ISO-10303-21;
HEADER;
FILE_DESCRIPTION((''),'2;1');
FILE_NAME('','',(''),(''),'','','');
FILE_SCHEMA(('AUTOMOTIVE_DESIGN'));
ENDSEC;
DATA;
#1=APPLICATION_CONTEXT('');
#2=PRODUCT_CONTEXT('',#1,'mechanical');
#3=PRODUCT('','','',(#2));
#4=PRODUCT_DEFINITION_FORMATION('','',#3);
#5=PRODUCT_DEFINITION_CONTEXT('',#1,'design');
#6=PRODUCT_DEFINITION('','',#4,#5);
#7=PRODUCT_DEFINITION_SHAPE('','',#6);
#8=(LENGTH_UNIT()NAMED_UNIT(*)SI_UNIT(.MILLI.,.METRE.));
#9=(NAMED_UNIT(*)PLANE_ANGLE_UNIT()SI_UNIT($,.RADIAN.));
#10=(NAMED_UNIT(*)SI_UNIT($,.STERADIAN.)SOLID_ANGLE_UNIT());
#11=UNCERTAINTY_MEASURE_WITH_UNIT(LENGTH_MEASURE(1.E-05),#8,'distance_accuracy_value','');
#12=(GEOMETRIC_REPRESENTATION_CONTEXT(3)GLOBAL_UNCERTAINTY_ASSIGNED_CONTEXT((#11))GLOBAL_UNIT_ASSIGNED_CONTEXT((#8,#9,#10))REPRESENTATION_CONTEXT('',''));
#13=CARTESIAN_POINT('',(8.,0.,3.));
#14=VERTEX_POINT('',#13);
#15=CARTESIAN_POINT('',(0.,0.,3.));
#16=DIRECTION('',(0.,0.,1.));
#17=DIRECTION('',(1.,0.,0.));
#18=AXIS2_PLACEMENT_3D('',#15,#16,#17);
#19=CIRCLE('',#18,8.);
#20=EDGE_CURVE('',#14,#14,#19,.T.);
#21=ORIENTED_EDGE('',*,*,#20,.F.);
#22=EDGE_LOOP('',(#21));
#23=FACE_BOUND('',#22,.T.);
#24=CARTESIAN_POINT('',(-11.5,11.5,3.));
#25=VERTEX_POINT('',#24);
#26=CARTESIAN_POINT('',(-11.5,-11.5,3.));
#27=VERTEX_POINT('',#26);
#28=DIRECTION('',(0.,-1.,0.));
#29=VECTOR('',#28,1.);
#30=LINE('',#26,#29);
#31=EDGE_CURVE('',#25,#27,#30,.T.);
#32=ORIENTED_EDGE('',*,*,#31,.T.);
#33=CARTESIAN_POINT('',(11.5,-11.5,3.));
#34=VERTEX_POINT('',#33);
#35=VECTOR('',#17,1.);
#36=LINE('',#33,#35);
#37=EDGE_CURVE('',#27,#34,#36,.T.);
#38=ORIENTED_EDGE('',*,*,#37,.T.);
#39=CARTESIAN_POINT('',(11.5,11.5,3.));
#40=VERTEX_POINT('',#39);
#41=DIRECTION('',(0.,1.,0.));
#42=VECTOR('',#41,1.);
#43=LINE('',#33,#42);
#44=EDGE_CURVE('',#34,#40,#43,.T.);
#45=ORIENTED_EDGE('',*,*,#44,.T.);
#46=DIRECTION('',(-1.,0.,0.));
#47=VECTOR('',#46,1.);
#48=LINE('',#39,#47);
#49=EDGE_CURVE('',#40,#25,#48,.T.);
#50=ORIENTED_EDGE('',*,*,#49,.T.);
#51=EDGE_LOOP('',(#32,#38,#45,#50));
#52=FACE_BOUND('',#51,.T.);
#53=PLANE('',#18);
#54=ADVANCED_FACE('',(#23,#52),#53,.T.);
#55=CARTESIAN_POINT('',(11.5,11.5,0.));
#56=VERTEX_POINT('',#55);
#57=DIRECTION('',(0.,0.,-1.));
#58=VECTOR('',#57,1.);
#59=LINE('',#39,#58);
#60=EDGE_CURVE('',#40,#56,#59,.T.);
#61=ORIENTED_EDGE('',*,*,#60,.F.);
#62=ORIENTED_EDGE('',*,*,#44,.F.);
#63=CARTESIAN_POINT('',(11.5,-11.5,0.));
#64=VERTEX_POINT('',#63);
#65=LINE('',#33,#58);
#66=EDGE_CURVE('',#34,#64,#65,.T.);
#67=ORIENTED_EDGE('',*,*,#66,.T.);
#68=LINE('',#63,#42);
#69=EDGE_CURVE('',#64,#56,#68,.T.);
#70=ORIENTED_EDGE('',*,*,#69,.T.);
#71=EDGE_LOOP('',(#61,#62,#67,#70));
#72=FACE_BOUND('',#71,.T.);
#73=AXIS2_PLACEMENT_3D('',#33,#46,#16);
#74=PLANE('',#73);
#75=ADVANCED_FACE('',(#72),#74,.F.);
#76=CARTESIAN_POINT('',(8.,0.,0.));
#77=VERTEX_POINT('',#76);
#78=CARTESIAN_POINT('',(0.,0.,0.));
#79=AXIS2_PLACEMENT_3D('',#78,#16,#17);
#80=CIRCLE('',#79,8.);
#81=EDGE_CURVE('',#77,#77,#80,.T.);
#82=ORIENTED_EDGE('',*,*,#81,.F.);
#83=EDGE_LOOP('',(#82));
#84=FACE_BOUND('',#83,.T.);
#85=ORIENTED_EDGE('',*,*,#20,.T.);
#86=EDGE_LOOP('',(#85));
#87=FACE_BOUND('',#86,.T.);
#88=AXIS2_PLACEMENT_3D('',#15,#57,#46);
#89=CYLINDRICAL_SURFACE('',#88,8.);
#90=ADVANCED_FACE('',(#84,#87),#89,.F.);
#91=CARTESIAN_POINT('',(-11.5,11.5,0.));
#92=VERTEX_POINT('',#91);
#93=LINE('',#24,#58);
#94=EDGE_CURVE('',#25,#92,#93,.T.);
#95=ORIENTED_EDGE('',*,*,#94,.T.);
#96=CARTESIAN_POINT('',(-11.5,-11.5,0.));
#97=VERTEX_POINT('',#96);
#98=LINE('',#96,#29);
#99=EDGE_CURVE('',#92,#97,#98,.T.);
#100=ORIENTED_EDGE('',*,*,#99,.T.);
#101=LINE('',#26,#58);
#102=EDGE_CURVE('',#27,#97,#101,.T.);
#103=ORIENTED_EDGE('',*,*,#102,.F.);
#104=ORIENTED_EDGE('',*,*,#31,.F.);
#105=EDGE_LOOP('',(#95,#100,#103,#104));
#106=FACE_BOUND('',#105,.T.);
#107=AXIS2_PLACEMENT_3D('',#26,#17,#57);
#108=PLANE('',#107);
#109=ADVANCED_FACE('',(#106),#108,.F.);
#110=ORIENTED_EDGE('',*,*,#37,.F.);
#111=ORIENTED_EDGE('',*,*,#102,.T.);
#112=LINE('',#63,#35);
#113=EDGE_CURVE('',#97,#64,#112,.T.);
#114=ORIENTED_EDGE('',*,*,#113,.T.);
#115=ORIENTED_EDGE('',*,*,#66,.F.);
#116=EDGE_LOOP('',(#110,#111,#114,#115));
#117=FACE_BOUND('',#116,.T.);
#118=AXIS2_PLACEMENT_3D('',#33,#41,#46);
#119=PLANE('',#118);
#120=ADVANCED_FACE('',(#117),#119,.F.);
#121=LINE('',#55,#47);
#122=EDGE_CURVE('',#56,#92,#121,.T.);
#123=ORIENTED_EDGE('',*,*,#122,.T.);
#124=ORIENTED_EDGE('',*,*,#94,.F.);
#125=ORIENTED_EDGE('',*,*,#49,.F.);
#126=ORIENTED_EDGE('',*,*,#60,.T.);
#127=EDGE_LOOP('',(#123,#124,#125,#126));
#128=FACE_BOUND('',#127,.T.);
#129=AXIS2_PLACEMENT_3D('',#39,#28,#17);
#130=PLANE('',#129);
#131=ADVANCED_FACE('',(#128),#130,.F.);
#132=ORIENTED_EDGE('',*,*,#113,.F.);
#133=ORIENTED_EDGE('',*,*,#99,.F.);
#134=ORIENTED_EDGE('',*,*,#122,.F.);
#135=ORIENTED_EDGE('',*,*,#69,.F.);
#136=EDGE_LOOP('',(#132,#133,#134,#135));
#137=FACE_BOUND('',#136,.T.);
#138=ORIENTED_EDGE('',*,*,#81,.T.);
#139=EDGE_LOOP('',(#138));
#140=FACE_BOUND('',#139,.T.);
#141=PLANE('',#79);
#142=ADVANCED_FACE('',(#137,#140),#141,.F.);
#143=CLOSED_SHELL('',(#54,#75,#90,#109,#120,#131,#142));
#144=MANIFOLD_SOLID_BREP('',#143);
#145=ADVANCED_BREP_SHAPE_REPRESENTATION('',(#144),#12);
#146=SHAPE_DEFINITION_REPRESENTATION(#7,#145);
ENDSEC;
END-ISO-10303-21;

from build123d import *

# Parameters (mm, degrees)
SKETCH_1_W      = 23
SKETCH_1_H      = 23
SKETCH_1_R      = 8
EXTRUDE_1_DEPTH = 3


with BuildPart() as part:
    # 草图1 → 凸台-拉伸1 (new body)
    with BuildSketch(Plane.XY):
        Rectangle(SKETCH_1_W, SKETCH_1_H)
        Circle(SKETCH_1_R, mode=Mode.SUBTRACT)
    extrude(amount=EXTRUDE_1_DEPTH)


solid = part.part
